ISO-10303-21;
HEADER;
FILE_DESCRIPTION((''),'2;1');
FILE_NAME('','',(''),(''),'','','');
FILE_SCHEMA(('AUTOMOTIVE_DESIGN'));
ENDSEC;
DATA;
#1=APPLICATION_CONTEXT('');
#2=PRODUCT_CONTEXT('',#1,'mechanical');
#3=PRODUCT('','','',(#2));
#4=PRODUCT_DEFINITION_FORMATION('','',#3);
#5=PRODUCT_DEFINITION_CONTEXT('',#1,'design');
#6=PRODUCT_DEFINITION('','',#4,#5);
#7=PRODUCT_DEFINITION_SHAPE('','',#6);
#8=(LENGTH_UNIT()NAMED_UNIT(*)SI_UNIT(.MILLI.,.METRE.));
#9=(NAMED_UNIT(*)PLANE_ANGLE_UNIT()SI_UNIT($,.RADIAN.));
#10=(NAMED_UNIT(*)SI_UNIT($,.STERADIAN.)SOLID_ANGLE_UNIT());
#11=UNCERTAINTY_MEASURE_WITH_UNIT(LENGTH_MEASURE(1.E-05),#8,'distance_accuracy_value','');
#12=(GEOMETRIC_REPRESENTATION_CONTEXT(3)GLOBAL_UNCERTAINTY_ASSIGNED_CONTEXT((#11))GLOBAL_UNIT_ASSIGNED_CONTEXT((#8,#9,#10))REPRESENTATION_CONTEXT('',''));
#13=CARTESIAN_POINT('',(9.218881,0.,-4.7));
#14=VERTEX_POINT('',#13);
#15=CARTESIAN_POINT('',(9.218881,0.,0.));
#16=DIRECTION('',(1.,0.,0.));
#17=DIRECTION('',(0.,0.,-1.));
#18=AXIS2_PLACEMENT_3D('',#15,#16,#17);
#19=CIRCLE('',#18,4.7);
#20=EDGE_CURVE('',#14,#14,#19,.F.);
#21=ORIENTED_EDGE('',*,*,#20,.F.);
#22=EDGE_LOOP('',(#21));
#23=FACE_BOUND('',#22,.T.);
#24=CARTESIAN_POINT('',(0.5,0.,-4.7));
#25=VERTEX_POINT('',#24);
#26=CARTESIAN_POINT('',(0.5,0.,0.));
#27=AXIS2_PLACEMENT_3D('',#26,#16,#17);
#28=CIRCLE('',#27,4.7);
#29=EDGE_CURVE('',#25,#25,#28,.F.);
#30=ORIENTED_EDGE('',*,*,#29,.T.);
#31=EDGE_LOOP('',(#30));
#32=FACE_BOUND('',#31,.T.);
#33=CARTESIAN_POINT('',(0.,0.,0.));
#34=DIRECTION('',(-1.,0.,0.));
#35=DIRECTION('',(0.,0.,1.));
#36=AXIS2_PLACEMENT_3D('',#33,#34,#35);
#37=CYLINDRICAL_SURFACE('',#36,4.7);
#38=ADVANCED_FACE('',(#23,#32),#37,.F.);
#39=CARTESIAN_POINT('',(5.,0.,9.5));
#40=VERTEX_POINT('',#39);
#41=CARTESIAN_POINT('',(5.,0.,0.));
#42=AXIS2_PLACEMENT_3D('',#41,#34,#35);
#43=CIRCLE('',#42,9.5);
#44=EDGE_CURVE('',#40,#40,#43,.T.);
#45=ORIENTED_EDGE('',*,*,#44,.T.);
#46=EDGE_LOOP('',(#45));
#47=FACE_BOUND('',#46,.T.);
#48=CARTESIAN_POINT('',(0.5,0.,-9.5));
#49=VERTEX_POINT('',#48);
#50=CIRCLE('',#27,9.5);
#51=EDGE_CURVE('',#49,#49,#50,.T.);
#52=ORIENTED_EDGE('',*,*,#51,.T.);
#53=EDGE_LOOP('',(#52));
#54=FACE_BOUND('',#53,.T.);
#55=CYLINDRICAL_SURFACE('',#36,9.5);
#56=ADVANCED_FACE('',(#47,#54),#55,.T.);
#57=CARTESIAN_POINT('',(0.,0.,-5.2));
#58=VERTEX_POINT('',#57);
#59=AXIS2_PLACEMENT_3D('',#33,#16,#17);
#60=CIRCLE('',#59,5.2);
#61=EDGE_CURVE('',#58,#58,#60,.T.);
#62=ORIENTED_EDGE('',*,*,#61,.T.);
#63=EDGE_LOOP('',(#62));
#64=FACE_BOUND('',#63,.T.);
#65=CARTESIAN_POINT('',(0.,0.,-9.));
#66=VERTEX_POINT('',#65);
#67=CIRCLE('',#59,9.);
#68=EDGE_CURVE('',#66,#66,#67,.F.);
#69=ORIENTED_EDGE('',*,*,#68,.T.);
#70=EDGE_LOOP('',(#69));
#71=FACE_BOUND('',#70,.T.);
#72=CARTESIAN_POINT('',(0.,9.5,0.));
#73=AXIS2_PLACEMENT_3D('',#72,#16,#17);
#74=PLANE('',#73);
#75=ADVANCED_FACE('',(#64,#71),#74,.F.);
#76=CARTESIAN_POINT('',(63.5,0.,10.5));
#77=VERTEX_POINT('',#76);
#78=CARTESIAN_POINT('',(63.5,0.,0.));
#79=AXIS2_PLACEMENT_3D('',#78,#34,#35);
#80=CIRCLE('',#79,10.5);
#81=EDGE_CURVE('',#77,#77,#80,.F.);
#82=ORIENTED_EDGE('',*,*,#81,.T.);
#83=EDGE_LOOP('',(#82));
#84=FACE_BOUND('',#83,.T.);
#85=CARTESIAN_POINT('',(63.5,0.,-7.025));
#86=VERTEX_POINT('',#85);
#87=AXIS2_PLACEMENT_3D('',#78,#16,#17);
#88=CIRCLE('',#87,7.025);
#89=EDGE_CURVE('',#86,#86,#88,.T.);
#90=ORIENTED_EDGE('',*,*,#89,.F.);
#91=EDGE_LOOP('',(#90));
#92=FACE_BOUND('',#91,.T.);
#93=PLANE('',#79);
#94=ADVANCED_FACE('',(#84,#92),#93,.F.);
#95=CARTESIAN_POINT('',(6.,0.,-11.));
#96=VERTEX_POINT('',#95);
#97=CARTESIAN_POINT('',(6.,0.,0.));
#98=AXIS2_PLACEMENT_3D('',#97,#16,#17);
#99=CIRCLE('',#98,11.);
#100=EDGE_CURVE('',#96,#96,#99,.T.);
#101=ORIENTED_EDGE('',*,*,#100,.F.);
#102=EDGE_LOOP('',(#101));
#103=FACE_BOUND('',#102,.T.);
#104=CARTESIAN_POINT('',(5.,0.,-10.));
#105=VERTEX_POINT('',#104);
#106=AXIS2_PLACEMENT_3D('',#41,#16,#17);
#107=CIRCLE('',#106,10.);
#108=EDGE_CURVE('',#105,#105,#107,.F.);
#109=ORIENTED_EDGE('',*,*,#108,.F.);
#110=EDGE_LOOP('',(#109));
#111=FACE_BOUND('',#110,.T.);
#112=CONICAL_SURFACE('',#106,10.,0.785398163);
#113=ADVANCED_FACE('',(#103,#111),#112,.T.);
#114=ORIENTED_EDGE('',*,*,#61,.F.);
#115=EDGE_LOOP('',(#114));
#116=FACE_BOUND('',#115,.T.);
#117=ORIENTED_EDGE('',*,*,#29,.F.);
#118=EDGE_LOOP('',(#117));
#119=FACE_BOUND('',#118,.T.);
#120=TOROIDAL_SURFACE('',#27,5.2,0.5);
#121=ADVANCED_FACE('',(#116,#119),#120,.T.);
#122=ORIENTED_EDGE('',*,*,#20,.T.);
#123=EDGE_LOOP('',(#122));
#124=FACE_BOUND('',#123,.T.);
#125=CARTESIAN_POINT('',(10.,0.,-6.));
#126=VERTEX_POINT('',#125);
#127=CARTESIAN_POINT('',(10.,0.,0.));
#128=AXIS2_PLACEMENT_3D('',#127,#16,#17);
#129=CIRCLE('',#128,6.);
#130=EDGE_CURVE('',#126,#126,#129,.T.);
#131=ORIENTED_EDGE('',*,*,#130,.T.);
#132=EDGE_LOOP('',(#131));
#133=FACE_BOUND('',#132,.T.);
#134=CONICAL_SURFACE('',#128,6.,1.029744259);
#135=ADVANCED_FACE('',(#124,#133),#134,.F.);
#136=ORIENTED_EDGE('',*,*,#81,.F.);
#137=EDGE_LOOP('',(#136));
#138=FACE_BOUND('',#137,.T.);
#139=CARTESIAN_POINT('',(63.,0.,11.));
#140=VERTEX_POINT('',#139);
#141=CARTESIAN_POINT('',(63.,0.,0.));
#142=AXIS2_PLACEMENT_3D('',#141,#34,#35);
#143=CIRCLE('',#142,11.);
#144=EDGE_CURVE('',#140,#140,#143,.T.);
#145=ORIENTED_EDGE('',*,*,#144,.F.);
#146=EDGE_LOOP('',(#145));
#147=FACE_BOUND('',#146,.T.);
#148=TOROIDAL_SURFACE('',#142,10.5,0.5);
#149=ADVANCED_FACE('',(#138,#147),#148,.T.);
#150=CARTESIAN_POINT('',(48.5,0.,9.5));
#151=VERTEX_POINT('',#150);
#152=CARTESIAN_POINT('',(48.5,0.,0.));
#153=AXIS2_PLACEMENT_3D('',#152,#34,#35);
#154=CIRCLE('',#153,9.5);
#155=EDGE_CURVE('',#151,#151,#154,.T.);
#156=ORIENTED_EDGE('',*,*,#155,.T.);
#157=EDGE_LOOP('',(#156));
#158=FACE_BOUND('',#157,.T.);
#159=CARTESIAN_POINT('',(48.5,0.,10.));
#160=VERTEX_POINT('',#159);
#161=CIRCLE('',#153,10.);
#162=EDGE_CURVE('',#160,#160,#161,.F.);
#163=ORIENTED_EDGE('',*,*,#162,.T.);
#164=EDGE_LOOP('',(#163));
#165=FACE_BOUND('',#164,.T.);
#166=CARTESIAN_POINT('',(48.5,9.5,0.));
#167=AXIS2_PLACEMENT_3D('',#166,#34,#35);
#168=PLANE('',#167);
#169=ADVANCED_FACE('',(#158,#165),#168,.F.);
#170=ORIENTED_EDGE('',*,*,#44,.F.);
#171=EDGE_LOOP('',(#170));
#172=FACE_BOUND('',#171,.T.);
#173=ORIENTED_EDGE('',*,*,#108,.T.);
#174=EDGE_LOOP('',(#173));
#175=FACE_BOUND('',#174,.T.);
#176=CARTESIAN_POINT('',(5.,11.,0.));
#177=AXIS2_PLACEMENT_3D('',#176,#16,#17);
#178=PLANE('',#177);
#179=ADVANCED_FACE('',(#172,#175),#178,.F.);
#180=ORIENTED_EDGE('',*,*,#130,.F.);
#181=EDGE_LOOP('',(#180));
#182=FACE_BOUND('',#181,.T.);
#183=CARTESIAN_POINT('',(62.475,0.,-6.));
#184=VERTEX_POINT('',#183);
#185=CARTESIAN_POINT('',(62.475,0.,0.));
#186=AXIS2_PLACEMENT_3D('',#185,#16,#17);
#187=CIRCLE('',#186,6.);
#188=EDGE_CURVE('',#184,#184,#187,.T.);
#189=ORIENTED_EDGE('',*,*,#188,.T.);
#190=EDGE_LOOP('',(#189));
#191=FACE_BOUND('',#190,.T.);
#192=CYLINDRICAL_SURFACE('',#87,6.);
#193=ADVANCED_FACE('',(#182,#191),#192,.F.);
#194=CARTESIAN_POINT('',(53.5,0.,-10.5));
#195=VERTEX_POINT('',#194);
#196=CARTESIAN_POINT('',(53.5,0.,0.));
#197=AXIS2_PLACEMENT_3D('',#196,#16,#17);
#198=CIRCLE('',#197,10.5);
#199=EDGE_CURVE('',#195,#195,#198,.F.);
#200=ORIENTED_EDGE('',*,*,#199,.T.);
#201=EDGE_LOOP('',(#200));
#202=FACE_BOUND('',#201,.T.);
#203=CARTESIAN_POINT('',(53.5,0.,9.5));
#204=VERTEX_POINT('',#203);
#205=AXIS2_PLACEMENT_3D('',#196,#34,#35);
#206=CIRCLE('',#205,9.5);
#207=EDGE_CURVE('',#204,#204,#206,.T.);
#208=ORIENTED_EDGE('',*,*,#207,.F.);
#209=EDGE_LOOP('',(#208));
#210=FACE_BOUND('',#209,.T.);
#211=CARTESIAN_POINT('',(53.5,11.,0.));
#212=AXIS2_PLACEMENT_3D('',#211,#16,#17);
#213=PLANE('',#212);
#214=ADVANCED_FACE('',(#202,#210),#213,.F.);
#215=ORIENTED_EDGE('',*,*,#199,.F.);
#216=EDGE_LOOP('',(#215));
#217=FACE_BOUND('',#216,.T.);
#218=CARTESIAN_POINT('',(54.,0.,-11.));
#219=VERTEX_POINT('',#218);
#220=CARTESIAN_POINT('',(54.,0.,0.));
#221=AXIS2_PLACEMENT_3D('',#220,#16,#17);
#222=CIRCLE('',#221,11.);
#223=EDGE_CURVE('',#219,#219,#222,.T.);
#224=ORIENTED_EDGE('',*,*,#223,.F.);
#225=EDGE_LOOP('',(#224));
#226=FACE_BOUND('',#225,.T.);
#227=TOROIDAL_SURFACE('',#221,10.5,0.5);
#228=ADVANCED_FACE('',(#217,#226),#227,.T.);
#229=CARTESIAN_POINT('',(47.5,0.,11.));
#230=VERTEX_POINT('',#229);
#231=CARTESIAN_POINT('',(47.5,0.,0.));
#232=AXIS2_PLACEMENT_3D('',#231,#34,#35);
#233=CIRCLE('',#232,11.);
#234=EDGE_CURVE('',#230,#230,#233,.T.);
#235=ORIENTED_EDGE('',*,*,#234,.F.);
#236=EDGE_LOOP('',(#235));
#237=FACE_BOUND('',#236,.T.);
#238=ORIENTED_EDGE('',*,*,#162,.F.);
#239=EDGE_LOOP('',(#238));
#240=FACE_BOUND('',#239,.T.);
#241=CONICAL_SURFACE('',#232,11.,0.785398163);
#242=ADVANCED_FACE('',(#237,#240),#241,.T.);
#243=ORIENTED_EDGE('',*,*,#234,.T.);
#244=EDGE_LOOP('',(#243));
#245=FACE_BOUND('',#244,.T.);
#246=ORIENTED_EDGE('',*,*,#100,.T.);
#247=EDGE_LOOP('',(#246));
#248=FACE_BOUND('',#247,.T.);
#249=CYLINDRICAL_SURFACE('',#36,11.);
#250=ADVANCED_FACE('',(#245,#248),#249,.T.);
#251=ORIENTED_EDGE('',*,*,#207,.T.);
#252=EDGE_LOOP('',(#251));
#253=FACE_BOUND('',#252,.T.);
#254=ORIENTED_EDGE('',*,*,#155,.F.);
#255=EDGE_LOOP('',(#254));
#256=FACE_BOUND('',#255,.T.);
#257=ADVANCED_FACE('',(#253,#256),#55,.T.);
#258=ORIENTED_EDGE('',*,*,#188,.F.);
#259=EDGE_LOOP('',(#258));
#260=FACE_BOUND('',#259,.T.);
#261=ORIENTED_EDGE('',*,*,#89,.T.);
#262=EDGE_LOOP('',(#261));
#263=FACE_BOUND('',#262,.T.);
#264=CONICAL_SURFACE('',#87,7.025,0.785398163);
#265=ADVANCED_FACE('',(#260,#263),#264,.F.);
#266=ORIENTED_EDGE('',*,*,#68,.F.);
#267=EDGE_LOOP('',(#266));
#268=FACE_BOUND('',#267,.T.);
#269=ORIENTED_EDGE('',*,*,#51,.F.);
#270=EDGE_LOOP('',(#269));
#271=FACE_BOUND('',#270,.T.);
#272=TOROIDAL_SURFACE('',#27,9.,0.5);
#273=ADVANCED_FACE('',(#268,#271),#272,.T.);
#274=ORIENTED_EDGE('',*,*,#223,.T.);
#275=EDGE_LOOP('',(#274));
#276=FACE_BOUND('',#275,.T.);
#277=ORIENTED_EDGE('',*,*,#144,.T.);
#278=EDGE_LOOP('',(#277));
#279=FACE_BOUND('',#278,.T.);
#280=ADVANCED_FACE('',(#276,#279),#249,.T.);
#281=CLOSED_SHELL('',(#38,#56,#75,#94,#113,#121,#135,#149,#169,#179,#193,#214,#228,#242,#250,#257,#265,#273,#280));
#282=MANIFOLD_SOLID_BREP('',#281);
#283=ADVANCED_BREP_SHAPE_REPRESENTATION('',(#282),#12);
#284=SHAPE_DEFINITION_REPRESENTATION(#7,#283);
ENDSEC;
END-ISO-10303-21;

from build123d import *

# Parameters (mm, degrees)
FURO_ROSCADO_DE_M14X2_01_D           = 12
FURO_ROSCADO_DE_M14X2_01_DEPTH       = 53.5
FURO_ROSCADO_DE_M14X2_01_CSINK_D     = 14.05
FURO_ROSCADO_DE_M14X2_01_CSINK_ANGLE = 90
FURO_ROSCADO_DE_M14X2_01_TIP         = 3.605163714
FURO1_D                              = 9.4
FURO1_DEPTH                          = 10
CHANFRO1_SIZE                        = 1
FILETE1_R                            = 0.5


with BuildPart() as part:
    # Esboço1 → Revolução1 (revolve)
    with BuildSketch(Plane.XY, mode=Mode.PRIVATE) as revolu_o1_sk:
        Polygon((0, 0), (63.5, 0), (63.5, 11), (53.5, 11), (53.5, 9.5), (48.5, 9.5), (48.5, 11), (5, 11), (5, 9.5), (0, 9.5), align=None)
    revolve(revolu_o1_sk.sketch.rotate(Axis((0, 0, 0), (1, 0, 0)), 90), axis=Axis((0, 0, 0), (1, 0, 0)))

    # Furo roscado de M14x2.01
    with Locations(Plane(origin=(63.5, 0, 0), x_dir=(0, 0, -1), z_dir=(1, 0, 0))):
        with Locations((0, 0)):
            CounterSinkHole(FURO_ROSCADO_DE_M14X2_01_D / 2, FURO_ROSCADO_DE_M14X2_01_CSINK_D / 2, depth=FURO_ROSCADO_DE_M14X2_01_DEPTH, counter_sink_angle=FURO_ROSCADO_DE_M14X2_01_CSINK_ANGLE)
            with Locations((0, 0, -(FURO_ROSCADO_DE_M14X2_01_DEPTH + FURO_ROSCADO_DE_M14X2_01_TIP / 2))):  # 118° drill point
                Cone(0, FURO_ROSCADO_DE_M14X2_01_D / 2, FURO_ROSCADO_DE_M14X2_01_TIP, mode=Mode.SUBTRACT)

    # Furo1
    with Locations(Plane.ZY):
        with Locations((0, 0)):
            Hole(FURO1_D / 2, depth=FURO1_DEPTH)

    # Chanfro1
    chanfro1_edges = [part.edges().sort_by_distance(p)[0] for p in [
        (5, 0, -11),
        (48.5, 0, -11),
    ]]
    chamfer(chanfro1_edges, length=CHANFRO1_SIZE)

    # Filete1
    filete1_edges = [part.edges().sort_by_distance(p)[0] for p in [
        (63.5, 0, -11),
        (0, 0, 4.7),
        (0, 0, -9.5),
        (53.5, 0, -11),
    ]]
    fillet(filete1_edges, radius=FILETE1_R)


solid = part.part
